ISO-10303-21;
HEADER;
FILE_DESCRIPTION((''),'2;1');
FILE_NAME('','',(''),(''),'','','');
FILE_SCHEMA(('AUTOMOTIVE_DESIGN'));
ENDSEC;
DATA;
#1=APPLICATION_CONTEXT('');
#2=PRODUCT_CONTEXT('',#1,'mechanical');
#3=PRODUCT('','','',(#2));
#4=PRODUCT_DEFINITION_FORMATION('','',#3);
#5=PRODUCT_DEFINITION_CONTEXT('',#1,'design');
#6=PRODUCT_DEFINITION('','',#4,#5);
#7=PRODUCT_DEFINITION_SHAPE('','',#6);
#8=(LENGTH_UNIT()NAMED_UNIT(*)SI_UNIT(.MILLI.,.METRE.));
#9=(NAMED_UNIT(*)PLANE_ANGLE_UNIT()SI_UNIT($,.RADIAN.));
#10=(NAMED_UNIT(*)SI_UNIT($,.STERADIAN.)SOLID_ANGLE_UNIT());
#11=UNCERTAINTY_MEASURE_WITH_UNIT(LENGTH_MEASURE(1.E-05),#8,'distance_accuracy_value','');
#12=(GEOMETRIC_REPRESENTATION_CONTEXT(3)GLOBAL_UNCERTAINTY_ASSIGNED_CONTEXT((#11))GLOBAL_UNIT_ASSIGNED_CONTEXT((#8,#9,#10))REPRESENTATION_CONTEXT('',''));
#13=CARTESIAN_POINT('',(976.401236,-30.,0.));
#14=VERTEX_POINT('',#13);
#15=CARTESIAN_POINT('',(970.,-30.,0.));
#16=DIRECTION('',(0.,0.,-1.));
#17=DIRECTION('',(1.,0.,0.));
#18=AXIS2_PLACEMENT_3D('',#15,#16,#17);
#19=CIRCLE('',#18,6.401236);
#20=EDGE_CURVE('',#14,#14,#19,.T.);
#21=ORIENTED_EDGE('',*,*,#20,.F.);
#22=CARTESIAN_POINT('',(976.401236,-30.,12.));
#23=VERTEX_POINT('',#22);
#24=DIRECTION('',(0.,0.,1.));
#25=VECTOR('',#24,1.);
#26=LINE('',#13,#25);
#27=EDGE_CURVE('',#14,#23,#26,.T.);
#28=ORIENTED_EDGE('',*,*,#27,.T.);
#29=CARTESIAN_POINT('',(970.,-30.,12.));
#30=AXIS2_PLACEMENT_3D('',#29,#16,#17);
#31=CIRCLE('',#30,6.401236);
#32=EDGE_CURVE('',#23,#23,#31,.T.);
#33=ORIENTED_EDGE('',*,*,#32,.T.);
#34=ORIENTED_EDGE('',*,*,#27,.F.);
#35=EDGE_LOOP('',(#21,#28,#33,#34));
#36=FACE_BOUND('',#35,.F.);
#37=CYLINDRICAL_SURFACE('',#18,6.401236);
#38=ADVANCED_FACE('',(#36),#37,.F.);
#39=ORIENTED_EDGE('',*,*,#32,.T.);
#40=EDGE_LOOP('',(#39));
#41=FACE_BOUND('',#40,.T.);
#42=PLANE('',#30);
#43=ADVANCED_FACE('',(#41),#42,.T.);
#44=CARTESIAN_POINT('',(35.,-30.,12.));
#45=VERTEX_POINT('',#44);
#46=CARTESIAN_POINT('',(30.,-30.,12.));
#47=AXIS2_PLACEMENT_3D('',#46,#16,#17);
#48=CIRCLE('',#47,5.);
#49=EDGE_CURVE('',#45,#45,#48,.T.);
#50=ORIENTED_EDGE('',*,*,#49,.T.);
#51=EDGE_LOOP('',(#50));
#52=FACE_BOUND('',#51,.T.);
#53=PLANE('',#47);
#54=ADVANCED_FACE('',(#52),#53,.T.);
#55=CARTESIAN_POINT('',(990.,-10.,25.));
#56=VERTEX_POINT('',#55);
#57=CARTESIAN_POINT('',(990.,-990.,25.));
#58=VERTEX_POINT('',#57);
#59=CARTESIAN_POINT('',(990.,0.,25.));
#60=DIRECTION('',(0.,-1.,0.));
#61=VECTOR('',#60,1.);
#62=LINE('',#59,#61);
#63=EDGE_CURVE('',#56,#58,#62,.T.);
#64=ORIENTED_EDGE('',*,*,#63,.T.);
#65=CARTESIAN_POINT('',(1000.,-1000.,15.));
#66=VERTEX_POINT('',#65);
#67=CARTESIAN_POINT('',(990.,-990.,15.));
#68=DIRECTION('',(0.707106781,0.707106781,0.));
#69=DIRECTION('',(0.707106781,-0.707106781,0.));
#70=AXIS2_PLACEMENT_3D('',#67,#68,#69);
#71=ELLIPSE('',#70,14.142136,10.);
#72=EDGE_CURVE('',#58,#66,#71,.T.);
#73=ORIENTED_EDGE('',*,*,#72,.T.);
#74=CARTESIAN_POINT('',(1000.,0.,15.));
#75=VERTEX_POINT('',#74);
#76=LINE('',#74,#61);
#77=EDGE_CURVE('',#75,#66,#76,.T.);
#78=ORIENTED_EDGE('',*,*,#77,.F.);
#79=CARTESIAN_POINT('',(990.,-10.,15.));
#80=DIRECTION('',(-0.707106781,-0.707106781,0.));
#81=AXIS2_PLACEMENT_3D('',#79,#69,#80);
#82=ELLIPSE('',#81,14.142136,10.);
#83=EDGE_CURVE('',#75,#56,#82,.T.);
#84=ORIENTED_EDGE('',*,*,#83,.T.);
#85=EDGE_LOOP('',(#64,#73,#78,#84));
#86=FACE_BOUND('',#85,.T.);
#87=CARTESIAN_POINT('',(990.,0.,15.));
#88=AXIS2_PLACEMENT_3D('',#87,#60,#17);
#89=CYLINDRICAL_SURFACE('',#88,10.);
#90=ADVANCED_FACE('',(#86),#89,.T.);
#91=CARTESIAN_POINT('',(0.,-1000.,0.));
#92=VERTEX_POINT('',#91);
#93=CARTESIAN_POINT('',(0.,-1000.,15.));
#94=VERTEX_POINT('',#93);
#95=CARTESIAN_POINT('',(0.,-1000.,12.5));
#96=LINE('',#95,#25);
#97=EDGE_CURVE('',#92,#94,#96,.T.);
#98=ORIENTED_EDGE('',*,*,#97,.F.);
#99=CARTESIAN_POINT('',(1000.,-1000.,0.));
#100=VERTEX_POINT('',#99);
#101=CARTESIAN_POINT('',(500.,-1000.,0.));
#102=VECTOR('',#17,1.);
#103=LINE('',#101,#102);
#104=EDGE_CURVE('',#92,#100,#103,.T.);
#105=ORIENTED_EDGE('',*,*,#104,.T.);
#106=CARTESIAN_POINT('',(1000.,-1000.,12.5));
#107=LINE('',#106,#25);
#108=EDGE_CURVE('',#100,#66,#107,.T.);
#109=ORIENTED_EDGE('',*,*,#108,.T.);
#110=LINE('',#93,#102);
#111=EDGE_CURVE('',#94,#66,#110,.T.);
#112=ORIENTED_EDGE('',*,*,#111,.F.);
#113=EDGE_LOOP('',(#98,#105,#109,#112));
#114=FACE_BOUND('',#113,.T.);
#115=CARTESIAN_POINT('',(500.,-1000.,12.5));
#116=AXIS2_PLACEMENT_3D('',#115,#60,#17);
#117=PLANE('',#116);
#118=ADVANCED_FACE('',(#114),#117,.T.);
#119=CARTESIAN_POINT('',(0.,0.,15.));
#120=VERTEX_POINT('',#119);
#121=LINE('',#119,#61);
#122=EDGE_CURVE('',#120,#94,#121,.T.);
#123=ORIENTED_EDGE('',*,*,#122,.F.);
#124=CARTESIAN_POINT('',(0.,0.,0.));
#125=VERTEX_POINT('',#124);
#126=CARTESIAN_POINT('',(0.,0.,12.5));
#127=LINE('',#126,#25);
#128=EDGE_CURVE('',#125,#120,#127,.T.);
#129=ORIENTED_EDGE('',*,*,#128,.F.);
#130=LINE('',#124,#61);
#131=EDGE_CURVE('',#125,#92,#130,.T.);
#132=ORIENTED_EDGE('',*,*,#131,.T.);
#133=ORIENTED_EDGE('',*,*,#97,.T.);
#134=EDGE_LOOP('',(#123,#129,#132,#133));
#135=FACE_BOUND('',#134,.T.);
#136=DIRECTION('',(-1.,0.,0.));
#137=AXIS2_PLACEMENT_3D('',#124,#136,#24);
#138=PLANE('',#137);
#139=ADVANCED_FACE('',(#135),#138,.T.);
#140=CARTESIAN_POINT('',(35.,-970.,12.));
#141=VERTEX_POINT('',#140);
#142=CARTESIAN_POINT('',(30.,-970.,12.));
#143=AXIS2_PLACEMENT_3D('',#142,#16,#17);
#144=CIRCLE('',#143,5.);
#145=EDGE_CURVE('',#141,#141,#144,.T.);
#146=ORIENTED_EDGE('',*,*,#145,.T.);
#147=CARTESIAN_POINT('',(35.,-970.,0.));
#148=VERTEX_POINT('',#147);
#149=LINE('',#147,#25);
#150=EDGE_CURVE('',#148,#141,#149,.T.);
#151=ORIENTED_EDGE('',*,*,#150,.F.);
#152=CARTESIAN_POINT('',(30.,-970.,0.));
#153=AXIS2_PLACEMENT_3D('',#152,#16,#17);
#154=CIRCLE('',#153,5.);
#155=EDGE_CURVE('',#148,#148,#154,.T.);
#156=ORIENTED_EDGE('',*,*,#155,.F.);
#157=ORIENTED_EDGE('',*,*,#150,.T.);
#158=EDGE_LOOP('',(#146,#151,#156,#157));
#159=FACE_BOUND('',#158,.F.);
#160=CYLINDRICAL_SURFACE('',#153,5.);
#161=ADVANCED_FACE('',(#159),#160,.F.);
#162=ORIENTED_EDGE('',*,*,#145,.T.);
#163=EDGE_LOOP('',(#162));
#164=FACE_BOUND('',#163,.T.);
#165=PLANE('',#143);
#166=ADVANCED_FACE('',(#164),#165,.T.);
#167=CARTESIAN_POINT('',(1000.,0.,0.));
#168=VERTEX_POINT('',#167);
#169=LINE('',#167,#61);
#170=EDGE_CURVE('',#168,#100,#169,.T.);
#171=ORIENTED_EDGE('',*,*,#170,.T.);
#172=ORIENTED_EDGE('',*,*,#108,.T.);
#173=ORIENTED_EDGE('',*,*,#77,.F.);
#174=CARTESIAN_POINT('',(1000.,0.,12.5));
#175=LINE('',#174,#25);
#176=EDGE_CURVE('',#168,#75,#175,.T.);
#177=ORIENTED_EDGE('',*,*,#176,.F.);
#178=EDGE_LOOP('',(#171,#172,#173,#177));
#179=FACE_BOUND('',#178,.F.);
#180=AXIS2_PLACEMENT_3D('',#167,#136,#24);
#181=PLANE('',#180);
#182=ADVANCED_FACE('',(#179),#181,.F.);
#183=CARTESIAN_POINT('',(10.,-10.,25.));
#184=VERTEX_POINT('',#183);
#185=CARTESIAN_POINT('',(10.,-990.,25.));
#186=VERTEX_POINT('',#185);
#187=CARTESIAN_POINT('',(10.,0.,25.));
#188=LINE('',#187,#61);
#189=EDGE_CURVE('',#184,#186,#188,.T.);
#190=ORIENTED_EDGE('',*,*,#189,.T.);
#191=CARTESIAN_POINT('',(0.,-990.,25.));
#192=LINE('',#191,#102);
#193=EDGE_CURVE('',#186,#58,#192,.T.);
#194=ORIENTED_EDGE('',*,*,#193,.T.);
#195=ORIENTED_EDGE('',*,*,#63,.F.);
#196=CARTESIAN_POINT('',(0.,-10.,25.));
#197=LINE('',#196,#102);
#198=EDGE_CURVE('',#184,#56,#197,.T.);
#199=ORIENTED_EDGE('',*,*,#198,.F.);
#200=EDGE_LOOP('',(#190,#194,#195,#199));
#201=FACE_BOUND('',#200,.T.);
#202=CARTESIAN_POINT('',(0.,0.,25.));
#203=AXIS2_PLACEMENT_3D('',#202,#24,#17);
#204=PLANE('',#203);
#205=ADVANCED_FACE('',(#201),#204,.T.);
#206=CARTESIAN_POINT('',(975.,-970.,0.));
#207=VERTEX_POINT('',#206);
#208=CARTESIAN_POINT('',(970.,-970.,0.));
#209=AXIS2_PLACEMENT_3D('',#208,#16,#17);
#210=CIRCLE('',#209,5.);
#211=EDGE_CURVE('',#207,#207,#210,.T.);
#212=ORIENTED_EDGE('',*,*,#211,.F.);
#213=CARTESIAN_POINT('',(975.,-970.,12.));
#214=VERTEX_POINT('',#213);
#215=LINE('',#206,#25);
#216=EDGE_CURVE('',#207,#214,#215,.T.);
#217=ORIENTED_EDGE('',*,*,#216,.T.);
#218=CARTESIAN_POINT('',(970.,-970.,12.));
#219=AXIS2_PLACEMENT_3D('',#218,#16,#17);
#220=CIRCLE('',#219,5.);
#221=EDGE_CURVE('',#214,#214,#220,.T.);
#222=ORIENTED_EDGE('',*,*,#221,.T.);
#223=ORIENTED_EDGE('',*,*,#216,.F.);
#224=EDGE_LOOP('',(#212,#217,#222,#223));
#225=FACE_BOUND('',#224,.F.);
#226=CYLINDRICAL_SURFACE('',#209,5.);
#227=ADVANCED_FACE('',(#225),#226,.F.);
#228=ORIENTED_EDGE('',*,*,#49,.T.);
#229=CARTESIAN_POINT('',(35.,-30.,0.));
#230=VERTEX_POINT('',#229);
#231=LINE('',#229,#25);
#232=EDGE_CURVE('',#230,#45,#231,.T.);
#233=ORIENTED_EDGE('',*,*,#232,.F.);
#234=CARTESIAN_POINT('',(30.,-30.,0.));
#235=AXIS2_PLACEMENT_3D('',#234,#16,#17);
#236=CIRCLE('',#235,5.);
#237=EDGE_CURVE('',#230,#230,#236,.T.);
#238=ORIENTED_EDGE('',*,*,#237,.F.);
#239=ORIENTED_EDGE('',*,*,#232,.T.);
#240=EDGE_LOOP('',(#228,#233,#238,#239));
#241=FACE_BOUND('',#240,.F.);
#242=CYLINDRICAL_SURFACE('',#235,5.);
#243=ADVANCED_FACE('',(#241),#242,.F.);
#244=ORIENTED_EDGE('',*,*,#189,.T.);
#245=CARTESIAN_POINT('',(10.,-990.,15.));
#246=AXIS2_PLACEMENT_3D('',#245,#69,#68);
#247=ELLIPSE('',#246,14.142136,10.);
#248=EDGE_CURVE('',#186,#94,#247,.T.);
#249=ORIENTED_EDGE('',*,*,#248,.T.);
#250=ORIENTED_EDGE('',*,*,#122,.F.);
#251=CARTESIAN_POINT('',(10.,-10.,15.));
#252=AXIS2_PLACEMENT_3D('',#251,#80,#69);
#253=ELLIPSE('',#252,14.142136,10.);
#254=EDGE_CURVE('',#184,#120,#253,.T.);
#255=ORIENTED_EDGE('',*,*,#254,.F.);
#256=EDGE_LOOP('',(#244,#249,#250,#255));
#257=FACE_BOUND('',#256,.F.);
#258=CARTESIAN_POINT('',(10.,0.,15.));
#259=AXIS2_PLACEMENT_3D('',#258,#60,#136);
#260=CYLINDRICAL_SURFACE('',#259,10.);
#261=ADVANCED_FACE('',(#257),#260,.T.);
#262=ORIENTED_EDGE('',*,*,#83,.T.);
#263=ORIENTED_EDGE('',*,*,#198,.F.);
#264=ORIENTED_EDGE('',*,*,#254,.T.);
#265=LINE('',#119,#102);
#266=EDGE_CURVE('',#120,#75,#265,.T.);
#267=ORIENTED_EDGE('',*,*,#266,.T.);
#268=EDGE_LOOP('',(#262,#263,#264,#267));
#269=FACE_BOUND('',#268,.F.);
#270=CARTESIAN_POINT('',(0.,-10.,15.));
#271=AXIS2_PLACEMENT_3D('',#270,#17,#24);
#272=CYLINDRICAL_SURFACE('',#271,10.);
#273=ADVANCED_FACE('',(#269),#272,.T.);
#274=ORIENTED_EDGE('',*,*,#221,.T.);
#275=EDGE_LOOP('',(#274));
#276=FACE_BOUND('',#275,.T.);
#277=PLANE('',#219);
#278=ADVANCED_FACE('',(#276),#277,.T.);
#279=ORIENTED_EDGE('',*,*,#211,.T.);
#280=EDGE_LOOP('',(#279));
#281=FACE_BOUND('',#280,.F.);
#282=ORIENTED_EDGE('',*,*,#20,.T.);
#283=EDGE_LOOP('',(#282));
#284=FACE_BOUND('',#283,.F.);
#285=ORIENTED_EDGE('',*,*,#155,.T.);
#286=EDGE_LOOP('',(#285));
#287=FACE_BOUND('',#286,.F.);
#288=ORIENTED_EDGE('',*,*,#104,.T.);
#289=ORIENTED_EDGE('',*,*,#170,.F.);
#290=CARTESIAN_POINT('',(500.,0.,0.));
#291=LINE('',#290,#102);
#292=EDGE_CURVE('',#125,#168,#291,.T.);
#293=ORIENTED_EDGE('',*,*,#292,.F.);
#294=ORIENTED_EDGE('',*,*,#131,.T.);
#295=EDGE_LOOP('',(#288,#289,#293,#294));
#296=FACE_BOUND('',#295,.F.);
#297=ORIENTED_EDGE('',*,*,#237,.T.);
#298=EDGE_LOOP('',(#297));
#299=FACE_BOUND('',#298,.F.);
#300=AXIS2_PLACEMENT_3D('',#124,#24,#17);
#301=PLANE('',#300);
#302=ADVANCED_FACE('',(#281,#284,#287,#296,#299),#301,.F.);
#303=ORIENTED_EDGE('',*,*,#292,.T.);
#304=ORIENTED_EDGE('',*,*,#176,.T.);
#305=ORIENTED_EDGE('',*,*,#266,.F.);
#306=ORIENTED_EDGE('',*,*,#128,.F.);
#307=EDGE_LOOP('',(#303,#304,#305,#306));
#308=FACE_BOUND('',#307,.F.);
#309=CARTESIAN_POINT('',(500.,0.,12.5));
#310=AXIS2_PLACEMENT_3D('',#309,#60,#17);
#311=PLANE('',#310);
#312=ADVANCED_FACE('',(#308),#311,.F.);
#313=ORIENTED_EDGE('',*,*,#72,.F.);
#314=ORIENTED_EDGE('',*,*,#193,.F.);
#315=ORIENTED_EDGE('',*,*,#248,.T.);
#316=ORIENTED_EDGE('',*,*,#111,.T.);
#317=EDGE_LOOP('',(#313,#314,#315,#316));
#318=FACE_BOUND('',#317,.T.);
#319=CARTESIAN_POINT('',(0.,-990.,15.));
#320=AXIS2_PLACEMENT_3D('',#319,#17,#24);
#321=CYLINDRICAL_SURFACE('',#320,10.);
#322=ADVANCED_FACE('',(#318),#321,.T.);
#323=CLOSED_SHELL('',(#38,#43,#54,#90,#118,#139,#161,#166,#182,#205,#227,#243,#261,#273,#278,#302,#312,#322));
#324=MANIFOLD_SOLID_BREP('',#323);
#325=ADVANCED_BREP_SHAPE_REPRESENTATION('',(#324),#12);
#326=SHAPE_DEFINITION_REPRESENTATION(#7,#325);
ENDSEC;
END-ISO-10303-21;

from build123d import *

# Parameters (mm, degrees)
F0_W      = 1000
F0_H      = 25
F1_DEPTH  = 1000
F2_R      = 10
F3_R      = 5
F4_DEPTH  = 12
F6_R      = 6.401236
F7_DEPTH  = 12
F5_R      = 5
F8_DEPTH  = 12
F9_R      = 5
F10_DEPTH = 12


with BuildPart() as f1:
    # F0 (on Front) → F1 (new body)
    with BuildSketch(Plane.XZ):
        with Locations((500, 12.5)):
            Rectangle(F0_W, F0_H)
    extrude(amount=F1_DEPTH)

    # F2
    f2_edges = [f1.edges().sort_by_distance(p)[0] for p in [
        (500, -1000, 25),
        (1000, -500, 25),
        (500, 0, 25),
        (0, -500, 25),
    ]]
    fillet(f2_edges, radius=F2_R)

    # F3 (on face) → F4 (cut)
    with BuildSketch(Plane(origin=(0, 0, 0), x_dir=(1, 0, 0), z_dir=(0, 0, -1))):
        with Locations((30, 970)):
            Circle(F3_R)
    extrude(amount=-F4_DEPTH, mode=Mode.SUBTRACT)

    # F6 (on face) → F7 (cut)
    with BuildSketch(Plane(origin=(0, 0, 0), x_dir=(1, 0, 0), z_dir=(0, 0, -1))):
        with Locations((970, 30)):
            Circle(F6_R)
    extrude(amount=-F7_DEPTH, mode=Mode.SUBTRACT)

    # F5 (on face) → F8 (cut)
    with BuildSketch(Plane(origin=(0, 0, 0), x_dir=(1, 0, 0), z_dir=(0, 0, -1))):
        with Locations((970, 970)):
            Circle(F5_R)
    extrude(amount=-F8_DEPTH, mode=Mode.SUBTRACT)

    # F9 (on face) → F10 (cut)
    with BuildSketch(Plane(origin=(0, 0, 0), x_dir=(1, 0, 0), z_dir=(0, 0, -1))):
        with Locations((30, 30)):
            Circle(F9_R)
    extrude(amount=-F10_DEPTH, mode=Mode.SUBTRACT)


solid = f1.part
